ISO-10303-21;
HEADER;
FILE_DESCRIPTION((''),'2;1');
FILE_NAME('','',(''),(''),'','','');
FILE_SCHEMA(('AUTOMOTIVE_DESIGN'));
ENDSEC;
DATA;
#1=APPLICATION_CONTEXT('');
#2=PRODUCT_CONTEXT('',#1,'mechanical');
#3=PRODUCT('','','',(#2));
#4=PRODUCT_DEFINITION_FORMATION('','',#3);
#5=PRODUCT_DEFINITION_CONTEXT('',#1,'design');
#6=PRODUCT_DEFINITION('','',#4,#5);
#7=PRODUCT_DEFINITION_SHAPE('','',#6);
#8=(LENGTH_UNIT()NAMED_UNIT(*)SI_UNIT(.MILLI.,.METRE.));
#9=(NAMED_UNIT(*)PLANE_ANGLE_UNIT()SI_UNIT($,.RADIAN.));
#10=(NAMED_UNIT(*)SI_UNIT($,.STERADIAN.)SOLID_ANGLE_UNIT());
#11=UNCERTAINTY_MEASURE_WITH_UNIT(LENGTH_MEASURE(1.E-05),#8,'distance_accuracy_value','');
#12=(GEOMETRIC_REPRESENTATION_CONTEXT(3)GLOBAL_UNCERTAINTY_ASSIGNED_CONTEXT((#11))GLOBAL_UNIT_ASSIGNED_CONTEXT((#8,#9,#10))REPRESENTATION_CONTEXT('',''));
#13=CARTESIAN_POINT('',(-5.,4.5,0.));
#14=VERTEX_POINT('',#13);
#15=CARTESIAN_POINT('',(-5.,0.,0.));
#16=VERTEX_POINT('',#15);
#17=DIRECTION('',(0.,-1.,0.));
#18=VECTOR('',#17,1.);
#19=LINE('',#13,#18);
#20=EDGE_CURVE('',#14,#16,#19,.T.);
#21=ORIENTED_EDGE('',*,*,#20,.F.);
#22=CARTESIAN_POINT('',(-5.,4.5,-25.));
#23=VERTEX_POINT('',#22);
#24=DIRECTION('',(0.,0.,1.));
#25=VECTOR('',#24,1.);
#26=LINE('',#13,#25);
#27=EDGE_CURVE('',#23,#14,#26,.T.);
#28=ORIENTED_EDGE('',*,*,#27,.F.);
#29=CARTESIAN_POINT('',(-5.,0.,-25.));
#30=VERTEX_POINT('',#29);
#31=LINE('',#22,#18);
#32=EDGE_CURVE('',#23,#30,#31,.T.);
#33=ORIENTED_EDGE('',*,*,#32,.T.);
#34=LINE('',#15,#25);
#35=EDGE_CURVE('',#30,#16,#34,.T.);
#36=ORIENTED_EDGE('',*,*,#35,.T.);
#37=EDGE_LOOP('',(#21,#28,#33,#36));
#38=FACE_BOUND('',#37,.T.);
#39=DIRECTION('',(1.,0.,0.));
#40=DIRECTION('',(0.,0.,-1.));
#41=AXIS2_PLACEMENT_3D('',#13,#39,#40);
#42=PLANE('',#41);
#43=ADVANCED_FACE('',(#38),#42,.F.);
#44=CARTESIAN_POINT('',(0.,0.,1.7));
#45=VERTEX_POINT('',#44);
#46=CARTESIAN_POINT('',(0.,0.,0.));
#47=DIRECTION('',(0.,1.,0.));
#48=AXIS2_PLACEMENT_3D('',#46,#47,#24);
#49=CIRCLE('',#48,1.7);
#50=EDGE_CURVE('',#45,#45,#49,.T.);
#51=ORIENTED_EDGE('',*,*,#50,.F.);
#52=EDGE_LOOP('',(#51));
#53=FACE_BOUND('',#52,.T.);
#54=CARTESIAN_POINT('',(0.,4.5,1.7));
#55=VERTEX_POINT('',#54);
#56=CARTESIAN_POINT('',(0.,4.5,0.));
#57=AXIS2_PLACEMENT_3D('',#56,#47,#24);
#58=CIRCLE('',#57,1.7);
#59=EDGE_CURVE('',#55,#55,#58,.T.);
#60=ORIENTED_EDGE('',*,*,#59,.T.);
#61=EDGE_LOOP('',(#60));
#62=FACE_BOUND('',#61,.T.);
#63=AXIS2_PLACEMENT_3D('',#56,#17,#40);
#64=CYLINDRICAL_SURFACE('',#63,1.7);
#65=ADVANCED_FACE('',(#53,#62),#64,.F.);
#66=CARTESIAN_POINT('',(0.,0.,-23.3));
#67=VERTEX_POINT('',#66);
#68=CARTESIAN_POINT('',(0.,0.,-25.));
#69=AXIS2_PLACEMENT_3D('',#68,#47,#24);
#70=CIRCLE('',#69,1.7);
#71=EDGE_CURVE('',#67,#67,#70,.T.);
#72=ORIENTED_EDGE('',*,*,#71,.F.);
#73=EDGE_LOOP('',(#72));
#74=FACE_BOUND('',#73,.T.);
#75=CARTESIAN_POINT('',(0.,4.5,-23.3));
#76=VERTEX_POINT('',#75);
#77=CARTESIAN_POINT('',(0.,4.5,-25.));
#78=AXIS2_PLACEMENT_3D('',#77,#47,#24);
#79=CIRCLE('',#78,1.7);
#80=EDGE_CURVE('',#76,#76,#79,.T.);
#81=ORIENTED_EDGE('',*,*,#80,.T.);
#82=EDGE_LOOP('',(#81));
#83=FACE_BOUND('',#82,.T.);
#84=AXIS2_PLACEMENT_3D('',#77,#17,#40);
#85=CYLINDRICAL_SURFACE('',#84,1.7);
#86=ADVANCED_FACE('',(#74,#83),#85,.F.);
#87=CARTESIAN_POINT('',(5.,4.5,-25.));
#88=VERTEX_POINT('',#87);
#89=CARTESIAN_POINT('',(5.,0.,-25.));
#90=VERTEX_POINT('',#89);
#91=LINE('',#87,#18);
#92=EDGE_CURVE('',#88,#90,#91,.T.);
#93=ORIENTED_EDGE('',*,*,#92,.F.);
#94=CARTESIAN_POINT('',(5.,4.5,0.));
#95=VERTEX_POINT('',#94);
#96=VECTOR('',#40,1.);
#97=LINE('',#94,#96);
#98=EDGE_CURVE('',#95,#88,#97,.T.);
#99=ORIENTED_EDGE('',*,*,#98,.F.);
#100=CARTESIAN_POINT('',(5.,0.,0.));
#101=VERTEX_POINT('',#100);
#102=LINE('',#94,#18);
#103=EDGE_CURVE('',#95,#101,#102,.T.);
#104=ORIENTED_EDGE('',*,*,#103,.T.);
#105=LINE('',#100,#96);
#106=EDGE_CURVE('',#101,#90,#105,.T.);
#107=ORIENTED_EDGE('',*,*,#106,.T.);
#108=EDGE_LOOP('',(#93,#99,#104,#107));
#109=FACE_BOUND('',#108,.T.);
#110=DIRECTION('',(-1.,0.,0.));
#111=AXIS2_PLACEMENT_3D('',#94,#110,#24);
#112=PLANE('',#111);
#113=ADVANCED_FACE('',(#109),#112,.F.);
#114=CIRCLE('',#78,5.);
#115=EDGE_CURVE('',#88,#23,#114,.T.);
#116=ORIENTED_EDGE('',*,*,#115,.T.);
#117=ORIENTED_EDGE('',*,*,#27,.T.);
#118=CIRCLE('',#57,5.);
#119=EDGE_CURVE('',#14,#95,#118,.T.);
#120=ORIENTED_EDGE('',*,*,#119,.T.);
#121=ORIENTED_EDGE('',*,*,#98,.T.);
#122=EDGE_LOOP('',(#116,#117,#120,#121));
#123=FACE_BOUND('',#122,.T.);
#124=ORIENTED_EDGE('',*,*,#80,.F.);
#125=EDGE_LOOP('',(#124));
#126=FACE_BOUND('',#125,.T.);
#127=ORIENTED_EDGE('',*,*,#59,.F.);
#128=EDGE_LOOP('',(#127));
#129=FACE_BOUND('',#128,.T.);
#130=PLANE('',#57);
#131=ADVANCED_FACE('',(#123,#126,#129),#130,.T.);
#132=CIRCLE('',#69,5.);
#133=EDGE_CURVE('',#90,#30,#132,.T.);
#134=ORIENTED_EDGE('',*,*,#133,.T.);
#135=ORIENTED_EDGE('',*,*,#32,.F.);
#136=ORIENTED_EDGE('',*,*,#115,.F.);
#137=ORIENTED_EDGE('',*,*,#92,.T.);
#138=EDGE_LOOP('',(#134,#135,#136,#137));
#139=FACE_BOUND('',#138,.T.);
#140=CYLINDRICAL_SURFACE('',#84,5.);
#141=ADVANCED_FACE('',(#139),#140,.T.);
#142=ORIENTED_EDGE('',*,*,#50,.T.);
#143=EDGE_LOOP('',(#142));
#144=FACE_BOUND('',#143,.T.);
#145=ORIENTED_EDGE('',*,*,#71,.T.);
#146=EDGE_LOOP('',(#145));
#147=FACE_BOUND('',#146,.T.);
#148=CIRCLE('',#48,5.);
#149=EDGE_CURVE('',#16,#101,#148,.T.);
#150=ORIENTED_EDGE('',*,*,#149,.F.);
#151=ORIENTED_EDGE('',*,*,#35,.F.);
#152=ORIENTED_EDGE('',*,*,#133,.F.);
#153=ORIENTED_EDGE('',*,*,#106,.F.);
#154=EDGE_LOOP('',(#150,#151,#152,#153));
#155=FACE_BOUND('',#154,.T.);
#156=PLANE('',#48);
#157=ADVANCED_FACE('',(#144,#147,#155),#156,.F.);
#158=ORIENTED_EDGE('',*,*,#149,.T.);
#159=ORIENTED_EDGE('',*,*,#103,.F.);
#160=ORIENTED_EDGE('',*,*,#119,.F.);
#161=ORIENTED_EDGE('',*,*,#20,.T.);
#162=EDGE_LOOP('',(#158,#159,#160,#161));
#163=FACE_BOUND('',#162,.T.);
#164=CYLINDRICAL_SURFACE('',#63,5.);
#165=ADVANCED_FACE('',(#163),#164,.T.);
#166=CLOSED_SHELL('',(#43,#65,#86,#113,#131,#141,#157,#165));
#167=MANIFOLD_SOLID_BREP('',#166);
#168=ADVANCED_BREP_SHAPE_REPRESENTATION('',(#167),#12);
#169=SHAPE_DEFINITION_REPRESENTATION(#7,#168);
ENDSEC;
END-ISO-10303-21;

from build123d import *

# Parameters (mm, degrees)
SKETCH1_R           = 1.7
BOSS_EXTRUDE1_DEPTH = 4.5


with BuildPart() as part:
    # Sketch1 → Boss-Extrude1 (new body)
    with BuildSketch(Plane(origin=(0, 0, 0), x_dir=(1, 0, 0), z_dir=(0, 1, 0))):
        with BuildLine():
            Line((-5, 0), (-5, 25))
            ThreePointArc((-5, 25), (0, 30), (5, 25))
            Line((5, 25), (5, 0))
            ThreePointArc((5, 0), (0, -5), (-5, 0))
        make_face()
        with Locations(Location((0, 0, 0), (0, 0, 270))):
            Circle(SKETCH1_R, mode=Mode.SUBTRACT)
        with Locations(Location((0, 25, 0), (0, 0, 270))):
            Circle(SKETCH1_R, mode=Mode.SUBTRACT)
    extrude(amount=BOSS_EXTRUDE1_DEPTH)


solid = part.part
